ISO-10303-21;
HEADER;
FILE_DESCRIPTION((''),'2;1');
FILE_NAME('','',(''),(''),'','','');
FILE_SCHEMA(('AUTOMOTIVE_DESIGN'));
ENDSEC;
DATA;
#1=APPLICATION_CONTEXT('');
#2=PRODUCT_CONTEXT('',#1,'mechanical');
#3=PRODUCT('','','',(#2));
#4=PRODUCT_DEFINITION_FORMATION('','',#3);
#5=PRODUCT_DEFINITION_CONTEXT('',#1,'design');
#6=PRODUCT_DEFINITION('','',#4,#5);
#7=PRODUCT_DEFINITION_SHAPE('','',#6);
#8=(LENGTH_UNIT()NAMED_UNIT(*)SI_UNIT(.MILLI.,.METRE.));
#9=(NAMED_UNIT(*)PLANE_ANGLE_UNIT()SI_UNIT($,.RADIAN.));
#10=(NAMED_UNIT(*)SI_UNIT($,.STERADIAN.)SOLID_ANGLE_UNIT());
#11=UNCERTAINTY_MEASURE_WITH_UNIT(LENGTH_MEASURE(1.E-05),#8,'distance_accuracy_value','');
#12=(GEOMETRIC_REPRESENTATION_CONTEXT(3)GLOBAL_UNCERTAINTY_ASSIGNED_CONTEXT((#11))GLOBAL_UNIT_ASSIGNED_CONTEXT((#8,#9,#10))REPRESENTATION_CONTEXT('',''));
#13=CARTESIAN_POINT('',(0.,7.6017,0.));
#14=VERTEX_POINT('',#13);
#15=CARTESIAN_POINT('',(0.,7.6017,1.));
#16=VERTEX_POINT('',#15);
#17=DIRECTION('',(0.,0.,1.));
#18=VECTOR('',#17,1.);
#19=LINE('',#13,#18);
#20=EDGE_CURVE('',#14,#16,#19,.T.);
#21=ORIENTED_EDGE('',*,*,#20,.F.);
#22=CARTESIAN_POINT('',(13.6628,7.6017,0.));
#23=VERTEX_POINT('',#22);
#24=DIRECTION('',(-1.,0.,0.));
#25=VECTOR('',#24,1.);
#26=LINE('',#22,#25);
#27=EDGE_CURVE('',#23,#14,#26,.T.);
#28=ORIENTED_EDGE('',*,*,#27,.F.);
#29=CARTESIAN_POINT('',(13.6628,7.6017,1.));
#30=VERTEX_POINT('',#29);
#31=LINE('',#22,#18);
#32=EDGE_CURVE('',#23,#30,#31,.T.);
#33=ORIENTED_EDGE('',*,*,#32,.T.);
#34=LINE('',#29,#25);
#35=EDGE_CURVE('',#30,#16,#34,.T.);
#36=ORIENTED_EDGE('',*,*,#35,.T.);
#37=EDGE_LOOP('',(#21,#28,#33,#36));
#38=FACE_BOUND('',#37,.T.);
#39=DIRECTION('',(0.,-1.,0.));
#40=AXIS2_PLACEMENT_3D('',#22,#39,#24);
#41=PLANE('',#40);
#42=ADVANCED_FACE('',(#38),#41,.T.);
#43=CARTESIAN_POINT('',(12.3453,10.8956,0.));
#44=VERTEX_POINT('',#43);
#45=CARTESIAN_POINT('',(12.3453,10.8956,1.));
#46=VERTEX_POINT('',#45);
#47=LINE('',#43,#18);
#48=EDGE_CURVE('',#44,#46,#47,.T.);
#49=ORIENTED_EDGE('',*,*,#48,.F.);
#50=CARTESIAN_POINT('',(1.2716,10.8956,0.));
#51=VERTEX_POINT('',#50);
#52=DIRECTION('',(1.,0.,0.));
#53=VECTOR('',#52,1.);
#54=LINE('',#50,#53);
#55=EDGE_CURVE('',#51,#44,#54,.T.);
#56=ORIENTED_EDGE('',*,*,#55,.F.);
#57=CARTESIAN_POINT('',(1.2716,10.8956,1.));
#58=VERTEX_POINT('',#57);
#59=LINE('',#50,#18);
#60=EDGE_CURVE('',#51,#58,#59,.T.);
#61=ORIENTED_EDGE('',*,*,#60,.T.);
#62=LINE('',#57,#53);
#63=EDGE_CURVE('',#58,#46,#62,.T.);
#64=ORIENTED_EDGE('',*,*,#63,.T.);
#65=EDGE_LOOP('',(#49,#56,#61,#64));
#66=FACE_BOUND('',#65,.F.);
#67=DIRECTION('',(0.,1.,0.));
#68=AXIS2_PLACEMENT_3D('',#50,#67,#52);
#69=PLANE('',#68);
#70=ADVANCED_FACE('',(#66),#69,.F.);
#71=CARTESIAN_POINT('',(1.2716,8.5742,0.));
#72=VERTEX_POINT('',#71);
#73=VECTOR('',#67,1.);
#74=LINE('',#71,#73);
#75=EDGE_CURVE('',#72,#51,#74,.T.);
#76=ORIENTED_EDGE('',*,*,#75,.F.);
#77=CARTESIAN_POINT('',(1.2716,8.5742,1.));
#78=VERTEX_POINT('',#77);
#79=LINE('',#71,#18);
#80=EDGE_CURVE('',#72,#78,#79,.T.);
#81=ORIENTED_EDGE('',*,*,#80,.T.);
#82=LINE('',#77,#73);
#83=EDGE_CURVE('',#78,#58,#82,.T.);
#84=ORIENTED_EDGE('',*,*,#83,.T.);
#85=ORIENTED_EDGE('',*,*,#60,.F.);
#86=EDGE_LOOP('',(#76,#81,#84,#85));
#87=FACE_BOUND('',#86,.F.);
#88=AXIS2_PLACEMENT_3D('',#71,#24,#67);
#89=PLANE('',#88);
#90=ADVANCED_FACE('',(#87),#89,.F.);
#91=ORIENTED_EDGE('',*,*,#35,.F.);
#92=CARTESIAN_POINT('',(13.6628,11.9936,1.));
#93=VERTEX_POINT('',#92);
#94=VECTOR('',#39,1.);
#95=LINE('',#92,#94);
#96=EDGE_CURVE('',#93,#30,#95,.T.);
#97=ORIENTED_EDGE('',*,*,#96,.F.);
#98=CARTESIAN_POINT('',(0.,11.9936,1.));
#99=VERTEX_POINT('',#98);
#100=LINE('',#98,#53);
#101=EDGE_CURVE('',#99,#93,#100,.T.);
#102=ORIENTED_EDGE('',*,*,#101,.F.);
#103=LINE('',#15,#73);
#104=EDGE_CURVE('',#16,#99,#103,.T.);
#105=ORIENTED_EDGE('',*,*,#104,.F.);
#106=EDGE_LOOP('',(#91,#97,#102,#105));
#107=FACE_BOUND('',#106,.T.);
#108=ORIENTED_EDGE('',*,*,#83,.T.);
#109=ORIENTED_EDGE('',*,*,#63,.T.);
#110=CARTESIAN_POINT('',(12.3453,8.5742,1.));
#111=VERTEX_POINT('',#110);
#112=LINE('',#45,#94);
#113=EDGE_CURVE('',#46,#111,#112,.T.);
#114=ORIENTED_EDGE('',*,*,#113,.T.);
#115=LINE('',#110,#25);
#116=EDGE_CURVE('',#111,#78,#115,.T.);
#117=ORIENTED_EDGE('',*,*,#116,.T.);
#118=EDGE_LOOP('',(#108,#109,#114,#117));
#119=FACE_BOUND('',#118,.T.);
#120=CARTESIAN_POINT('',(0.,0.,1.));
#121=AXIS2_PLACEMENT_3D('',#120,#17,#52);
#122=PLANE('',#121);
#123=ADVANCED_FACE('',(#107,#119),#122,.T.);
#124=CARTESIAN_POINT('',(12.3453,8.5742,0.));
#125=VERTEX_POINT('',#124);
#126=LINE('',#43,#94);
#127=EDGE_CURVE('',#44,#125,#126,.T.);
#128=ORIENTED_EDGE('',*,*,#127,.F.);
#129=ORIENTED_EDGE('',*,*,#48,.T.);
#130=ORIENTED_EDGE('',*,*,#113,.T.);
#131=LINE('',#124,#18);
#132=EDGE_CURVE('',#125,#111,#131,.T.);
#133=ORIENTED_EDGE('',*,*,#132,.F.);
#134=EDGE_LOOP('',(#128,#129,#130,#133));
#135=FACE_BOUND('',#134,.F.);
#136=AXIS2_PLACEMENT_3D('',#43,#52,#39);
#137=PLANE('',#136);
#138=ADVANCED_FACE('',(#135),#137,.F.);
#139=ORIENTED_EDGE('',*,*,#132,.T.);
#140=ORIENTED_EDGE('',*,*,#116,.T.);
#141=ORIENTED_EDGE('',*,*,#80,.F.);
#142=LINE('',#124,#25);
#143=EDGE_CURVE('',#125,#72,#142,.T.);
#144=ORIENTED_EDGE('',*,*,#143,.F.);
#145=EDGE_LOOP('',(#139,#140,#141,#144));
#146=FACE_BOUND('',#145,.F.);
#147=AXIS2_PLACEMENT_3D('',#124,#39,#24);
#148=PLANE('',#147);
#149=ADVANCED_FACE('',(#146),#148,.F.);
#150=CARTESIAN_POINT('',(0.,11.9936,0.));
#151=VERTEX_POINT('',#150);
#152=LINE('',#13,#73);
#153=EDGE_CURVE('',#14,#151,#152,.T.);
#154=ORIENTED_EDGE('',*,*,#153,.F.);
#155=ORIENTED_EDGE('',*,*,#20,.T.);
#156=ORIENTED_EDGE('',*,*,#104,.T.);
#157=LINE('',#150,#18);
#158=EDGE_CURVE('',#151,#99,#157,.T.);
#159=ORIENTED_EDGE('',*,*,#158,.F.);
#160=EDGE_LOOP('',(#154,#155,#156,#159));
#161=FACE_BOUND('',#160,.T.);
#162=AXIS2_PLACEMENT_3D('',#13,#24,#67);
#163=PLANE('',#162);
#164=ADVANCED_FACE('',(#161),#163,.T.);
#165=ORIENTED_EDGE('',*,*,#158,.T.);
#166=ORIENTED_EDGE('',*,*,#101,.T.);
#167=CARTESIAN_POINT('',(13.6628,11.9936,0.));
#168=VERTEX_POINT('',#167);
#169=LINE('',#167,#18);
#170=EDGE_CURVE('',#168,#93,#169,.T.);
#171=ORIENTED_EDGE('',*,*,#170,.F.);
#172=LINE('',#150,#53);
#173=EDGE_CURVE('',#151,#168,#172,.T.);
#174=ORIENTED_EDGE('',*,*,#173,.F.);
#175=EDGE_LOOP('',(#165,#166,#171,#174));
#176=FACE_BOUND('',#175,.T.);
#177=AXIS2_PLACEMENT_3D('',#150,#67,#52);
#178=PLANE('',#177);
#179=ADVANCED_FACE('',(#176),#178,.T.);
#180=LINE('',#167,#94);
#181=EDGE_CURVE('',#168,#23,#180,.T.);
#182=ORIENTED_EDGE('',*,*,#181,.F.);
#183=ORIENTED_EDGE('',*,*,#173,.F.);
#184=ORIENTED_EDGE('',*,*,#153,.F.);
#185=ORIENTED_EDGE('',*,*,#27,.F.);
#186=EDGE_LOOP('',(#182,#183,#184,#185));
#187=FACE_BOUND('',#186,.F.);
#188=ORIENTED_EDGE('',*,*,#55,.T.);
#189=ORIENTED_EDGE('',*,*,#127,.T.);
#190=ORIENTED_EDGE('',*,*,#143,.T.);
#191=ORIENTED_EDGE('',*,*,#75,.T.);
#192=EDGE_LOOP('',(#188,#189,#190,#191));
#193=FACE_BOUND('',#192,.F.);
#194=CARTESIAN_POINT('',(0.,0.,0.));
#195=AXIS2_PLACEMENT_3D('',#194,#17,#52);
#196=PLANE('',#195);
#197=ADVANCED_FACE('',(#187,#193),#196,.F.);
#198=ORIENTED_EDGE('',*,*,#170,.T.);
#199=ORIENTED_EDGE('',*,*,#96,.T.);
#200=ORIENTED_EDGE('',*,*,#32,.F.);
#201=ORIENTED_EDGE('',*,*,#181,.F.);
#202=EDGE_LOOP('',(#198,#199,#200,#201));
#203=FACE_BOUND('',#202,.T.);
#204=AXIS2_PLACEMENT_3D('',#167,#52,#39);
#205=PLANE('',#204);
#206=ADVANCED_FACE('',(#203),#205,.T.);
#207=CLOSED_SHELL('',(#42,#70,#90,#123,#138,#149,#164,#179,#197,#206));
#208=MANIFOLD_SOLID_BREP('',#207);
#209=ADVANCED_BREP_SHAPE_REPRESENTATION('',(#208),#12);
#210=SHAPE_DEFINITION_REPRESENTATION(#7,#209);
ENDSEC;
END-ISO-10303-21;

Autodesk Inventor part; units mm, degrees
ref_plane "YZ Plane" through (0, 0, 0) normal (1, 0, 0) x (0, 1, 0)
ref_plane "XZ Plane" through (0, 0, 0) normal (0, 1, 0) x (-1, 0, 0)
ref_plane "XY Plane" through (0, 0, 0) normal (0, 0, 1) x (1, 0, 0)
sketch "Sketch1" plane through (0, 0, 0) normal (0, 0, 1) x (1, 0, 0)
  line L0 (0, 11.9936) -> (13.6628, 11.9936)
  line L1 (13.6628, 11.9936) -> (13.6628, 7.6017)
  line L2 (13.6628, 7.6017) -> (0, 7.6017)
  line L3 (0, 7.6017) -> (0, 11.9936)
  line L4 (1.2716, 10.8956) -> (12.3453, 10.8956)
  line L5 (12.3453, 10.8956) -> (12.3453, 8.5742)
  line L6 (12.3453, 8.5742) -> (1.2716, 8.5742)
  line L7 (1.2716, 8.5742) -> (1.2716, 10.8956)
  point P0 (0, 0)
extrude "Extrusion1" add sketch "Sketch1" along normal blind 1
properties part number "lcd1"
